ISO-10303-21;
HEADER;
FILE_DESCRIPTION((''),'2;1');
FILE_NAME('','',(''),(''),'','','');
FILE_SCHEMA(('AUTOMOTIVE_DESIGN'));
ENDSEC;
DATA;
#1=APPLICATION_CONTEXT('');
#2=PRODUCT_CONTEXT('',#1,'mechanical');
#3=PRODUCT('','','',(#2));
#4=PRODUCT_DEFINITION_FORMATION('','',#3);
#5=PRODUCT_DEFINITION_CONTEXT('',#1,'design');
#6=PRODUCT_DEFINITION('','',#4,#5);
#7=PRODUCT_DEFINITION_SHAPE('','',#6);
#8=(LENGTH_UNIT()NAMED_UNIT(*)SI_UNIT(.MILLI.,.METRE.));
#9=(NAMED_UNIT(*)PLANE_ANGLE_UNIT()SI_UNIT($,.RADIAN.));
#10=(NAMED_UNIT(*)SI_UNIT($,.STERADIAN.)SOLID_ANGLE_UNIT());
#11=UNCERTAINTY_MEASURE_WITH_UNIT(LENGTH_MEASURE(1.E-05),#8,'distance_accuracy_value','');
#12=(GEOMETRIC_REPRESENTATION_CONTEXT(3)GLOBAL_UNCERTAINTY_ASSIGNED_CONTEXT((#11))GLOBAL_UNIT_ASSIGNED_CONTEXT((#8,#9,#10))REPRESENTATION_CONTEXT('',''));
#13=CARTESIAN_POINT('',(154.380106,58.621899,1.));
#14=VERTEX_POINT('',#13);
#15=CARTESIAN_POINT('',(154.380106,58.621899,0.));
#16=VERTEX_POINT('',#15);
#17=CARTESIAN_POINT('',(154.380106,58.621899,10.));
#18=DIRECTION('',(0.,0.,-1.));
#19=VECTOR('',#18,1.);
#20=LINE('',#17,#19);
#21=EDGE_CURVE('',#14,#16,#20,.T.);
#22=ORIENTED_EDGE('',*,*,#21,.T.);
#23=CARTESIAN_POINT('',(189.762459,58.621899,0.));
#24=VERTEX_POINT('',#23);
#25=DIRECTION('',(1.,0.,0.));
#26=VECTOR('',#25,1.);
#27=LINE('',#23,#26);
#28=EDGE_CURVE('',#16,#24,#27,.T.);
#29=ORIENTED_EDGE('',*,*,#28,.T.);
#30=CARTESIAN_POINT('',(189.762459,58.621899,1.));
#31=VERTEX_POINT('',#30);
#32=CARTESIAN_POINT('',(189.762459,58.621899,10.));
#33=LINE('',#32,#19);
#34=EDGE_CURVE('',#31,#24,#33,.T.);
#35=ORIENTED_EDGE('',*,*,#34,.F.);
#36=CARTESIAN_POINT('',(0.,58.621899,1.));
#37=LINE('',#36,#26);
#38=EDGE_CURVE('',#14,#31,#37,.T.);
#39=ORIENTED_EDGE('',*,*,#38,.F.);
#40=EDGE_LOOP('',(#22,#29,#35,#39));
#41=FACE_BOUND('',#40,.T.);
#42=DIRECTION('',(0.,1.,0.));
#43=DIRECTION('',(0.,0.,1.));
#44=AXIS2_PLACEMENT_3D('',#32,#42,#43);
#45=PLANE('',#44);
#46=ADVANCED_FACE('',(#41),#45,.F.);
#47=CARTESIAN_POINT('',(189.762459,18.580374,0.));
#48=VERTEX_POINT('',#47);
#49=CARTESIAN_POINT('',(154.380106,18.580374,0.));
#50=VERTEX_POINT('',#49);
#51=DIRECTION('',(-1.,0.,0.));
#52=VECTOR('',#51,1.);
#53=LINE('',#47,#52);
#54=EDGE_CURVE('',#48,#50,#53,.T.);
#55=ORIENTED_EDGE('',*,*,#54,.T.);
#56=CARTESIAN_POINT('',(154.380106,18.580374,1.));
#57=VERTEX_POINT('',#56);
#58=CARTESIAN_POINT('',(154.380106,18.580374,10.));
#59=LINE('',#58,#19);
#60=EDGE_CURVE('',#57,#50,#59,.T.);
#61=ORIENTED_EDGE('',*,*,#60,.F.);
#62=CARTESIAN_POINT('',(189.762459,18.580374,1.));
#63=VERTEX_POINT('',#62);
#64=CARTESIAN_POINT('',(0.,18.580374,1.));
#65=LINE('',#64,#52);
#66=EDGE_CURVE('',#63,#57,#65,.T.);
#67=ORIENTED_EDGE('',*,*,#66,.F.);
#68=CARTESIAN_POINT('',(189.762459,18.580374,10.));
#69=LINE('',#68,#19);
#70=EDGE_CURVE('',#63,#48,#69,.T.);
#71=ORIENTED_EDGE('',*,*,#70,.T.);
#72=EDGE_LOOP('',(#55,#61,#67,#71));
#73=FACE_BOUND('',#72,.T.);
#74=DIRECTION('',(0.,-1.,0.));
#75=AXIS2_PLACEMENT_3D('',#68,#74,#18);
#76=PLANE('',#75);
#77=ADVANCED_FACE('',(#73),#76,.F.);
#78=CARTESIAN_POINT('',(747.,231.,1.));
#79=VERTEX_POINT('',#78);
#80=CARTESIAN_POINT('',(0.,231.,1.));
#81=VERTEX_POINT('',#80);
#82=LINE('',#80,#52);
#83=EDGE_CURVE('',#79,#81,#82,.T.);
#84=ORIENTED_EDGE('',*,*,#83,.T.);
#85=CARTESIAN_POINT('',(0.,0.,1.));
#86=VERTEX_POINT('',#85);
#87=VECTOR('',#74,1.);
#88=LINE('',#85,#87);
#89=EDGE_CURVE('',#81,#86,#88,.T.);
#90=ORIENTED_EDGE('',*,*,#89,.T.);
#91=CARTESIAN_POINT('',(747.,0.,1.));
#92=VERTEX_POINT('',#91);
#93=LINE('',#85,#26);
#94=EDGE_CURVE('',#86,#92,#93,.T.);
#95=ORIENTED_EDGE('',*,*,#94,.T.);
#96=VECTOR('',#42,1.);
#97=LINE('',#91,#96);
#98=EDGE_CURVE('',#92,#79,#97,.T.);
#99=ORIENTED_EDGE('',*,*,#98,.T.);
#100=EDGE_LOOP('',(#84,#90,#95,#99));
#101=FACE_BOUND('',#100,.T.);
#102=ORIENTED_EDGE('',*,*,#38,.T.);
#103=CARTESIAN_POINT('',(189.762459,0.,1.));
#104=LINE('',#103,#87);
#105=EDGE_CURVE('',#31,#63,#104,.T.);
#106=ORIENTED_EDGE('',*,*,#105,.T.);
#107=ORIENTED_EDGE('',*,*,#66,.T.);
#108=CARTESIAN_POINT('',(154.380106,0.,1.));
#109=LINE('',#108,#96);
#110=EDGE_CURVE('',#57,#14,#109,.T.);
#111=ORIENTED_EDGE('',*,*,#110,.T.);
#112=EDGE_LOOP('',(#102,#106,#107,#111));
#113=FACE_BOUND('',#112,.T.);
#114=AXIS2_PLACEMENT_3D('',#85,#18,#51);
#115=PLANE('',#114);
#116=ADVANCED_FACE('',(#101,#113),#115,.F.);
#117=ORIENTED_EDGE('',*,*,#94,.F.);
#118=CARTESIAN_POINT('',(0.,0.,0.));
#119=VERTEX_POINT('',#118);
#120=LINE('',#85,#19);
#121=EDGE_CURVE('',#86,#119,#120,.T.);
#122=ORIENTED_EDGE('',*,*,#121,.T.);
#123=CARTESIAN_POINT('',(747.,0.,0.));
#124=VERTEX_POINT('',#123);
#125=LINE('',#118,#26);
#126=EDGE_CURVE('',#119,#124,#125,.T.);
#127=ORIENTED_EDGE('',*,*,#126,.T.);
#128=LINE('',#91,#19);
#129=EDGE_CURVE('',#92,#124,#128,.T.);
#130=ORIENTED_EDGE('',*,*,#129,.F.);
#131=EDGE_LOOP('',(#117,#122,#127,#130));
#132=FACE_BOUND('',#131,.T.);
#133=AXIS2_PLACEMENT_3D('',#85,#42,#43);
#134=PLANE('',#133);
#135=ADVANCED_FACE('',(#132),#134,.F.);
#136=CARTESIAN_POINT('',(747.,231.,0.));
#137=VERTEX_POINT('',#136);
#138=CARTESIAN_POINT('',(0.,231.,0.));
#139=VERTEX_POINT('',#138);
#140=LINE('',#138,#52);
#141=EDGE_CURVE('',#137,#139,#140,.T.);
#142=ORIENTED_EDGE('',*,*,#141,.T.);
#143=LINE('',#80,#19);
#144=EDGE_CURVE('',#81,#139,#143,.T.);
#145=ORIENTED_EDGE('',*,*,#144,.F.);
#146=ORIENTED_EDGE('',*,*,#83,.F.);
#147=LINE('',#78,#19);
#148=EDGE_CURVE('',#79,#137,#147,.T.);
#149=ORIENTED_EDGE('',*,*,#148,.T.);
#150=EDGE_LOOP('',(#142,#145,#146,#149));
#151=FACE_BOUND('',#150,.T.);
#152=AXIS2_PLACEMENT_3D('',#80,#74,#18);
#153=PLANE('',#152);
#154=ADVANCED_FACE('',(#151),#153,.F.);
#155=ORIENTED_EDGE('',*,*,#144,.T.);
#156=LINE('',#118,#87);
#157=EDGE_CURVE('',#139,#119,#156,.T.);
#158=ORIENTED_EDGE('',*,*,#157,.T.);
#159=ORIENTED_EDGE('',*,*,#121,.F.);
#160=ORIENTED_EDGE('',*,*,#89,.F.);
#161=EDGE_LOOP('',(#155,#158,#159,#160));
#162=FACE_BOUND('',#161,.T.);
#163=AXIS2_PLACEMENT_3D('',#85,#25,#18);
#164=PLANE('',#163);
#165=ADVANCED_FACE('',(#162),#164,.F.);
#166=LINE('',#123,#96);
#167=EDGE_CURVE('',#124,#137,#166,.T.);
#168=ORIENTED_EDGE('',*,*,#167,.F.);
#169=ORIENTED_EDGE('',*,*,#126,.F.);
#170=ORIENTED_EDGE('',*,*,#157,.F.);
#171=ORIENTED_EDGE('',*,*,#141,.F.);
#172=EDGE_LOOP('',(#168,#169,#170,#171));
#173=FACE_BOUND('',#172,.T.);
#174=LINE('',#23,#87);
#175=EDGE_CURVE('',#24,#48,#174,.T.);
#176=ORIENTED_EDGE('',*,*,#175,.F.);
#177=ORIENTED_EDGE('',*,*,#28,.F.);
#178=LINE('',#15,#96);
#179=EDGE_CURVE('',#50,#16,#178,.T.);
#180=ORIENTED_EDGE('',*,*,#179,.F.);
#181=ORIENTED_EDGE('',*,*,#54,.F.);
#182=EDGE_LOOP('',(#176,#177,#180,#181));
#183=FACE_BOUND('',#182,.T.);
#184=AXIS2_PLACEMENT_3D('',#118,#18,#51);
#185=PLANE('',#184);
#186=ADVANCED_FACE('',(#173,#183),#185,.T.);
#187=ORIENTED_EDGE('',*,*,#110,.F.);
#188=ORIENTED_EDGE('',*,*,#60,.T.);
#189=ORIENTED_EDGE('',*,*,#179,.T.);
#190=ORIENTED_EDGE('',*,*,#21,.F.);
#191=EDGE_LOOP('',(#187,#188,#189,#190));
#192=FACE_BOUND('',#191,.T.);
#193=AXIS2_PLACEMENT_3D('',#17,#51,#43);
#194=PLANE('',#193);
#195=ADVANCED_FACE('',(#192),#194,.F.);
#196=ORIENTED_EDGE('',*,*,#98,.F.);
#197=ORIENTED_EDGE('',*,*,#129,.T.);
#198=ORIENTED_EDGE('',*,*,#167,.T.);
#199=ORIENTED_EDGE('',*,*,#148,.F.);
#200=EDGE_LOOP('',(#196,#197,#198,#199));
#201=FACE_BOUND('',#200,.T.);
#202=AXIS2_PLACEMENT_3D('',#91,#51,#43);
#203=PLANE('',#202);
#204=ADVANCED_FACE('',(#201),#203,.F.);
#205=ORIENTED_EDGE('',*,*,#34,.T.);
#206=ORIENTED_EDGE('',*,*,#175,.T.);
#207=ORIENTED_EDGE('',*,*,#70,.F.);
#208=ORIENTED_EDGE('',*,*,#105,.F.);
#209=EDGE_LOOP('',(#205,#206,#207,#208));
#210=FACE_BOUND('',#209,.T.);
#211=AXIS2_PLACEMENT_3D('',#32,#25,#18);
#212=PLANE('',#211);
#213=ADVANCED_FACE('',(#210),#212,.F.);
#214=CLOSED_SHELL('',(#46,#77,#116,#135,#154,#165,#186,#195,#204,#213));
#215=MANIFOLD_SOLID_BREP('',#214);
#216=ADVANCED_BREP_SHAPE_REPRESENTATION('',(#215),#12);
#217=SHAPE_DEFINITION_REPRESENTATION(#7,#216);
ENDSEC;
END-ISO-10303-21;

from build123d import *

# Parameters (mm, degrees)
SKETCH1_W           = 747
SKETCH1_H           = 231
BOSS_EXTRUDE1_DEPTH = 1
SKETCH2_W           = 35.382353291
SKETCH2_H           = 40.041525185
CUT_EXTRUDE1_DEPTH  = 10


with BuildPart() as part:
    # Sketch1 → Boss-Extrude1 (new body)
    with BuildSketch(Plane.XY):
        with Locations((373.5, 115.5)):
            Rectangle(SKETCH1_W, SKETCH1_H)
    extrude(amount=BOSS_EXTRUDE1_DEPTH)

    # Sketch2 → Cut-Extrude1 (cut)
    with BuildSketch(Plane(origin=(0, 0, 0), x_dir=(-1, 0, 0), z_dir=(0, 0, -1))):
        with Locations((-172.071282368, 38.601136184)):
            Rectangle(SKETCH2_W, SKETCH2_H)
    extrude(amount=-CUT_EXTRUDE1_DEPTH, mode=Mode.SUBTRACT)


solid = part.part
